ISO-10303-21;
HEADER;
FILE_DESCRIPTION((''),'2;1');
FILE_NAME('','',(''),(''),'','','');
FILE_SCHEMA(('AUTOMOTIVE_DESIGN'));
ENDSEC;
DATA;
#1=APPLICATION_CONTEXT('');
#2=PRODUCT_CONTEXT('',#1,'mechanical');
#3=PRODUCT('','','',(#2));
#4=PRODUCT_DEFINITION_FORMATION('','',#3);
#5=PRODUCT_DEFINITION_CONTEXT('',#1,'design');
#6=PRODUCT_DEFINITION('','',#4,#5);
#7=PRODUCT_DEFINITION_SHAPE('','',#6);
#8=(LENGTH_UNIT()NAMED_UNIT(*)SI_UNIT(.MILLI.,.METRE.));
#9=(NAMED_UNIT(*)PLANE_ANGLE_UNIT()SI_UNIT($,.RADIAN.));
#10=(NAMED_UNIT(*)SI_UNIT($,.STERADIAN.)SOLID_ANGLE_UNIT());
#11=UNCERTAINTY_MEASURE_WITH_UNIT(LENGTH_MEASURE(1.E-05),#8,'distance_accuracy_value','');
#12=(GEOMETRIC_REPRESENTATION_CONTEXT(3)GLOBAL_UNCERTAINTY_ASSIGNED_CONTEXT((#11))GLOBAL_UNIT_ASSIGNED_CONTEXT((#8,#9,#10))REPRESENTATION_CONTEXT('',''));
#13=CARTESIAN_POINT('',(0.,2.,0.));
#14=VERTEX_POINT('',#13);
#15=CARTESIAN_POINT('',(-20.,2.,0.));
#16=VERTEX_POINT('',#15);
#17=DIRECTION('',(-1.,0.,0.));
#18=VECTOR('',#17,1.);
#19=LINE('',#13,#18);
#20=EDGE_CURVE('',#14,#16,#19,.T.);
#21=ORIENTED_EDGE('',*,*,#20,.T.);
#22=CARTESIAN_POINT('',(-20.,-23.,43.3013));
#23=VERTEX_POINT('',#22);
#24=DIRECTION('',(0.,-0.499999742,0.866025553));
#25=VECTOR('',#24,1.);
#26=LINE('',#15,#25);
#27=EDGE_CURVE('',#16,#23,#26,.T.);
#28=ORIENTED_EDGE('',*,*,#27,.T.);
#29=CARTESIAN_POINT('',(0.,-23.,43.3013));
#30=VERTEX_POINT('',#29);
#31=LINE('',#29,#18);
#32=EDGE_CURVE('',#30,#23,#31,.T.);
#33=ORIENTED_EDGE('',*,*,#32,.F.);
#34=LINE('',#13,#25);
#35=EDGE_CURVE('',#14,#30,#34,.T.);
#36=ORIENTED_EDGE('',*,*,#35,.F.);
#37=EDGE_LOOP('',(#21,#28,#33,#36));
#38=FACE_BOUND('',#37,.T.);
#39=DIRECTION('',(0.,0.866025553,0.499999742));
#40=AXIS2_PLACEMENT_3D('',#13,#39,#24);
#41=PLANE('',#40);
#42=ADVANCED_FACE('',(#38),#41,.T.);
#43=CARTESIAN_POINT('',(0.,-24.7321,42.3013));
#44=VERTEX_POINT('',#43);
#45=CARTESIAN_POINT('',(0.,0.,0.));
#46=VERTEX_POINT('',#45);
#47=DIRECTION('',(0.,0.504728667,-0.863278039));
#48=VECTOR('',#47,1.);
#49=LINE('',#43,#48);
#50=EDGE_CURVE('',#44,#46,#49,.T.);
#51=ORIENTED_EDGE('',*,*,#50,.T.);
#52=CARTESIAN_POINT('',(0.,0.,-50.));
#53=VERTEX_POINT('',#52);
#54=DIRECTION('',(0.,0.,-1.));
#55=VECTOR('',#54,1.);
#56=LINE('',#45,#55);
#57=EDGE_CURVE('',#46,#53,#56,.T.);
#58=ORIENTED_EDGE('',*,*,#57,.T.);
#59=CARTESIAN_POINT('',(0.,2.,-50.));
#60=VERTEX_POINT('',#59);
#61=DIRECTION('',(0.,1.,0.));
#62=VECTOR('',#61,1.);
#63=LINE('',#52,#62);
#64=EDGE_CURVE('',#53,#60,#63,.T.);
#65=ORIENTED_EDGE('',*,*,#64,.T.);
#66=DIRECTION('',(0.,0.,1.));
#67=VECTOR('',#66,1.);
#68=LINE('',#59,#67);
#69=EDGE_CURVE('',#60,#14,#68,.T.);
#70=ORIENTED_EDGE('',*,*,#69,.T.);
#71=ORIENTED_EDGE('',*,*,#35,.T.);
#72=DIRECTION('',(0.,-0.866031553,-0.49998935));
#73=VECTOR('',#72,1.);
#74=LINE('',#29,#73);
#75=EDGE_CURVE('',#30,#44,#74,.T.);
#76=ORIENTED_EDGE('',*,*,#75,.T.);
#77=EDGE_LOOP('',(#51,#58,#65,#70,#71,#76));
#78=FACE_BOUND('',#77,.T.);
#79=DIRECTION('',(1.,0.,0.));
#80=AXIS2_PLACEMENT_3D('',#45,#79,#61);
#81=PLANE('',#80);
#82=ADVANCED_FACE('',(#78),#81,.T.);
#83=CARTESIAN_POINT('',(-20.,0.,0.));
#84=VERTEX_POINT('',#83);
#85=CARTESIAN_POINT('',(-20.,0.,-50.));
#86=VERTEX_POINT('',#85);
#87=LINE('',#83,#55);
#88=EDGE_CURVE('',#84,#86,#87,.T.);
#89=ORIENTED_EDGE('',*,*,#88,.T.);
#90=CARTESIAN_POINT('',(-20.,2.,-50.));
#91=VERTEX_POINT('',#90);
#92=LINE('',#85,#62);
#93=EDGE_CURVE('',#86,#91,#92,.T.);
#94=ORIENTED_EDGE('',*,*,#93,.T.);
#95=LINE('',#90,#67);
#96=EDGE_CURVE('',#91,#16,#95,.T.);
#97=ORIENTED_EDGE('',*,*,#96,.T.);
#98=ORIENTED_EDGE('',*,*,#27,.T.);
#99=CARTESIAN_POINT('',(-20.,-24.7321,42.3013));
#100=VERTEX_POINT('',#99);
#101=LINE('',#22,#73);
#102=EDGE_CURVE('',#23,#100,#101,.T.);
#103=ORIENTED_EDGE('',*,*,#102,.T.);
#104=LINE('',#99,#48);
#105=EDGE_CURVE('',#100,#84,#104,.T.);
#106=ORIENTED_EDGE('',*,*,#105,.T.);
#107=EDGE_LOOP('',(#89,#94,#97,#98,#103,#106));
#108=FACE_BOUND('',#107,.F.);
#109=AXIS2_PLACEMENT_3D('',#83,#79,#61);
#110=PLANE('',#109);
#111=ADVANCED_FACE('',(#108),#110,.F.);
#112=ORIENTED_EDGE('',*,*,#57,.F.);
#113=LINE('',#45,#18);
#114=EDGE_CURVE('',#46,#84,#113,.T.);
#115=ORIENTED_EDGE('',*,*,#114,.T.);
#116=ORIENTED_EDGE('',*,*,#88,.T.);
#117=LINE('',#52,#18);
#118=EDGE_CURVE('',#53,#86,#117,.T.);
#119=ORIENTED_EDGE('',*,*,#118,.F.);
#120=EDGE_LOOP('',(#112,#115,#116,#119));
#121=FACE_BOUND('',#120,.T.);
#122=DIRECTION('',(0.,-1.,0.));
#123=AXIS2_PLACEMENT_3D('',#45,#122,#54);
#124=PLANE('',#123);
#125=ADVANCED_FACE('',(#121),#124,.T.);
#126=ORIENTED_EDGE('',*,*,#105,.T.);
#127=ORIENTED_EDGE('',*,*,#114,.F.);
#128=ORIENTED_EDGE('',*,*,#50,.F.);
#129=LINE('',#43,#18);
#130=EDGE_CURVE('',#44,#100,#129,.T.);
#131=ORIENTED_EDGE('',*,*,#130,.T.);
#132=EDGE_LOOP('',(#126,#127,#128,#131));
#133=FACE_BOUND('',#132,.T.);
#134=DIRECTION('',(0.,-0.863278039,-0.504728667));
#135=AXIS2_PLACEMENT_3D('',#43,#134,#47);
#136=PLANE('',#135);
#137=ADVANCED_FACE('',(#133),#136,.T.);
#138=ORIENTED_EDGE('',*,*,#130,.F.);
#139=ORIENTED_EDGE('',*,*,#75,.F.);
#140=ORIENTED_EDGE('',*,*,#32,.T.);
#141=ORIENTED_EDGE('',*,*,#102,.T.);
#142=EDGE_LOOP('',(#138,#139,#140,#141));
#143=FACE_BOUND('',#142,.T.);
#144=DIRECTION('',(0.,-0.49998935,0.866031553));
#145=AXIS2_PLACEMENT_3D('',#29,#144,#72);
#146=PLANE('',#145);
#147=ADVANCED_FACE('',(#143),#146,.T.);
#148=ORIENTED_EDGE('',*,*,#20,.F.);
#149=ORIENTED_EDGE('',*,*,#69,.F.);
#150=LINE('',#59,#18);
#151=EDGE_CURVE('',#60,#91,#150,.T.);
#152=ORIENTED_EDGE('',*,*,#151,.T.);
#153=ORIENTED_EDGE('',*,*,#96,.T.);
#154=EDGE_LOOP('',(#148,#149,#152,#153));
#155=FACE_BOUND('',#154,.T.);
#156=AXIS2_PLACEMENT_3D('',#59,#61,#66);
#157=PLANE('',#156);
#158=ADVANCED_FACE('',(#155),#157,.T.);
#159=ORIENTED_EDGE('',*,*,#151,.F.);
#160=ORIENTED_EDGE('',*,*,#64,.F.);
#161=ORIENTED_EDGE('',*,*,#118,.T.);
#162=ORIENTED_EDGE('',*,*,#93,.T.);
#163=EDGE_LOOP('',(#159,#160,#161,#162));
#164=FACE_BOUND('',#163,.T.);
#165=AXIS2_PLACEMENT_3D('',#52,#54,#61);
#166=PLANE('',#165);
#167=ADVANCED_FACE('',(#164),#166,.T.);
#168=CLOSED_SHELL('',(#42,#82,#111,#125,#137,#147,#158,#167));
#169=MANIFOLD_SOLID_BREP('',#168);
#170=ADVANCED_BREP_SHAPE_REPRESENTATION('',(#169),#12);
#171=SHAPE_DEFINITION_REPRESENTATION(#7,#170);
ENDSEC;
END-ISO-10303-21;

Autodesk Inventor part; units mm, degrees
ref_plane "YZ Plane" through (0, 0, 0) normal (1, 0, 0) x (0, 1, 0)
ref_plane "XZ Plane" through (0, 0, 0) normal (0, 1, 0) x (-1, 0, 0)
ref_plane "XY Plane" through (0, 0, 0) normal (0, 0, 1) x (1, 0, 0)
sketch "Sketch1" plane through (0, 0, 0) normal (1, 0, 0) x (0, 1, 0)
  line L0 (0, 0) -> (0, -50)
  line L1 (0, -50) -> (2, -50)
  line L2 (2, -50) -> (2, 0)
  line L3 (2, 0) -> (-23, 43.3013)
  line L4 (-23, 43.3013) -> (-24.7321, 42.3013)
  line L5 (-24.7321, 42.3013) -> (0, 0)
  dimension "d0" = 50
  dimension "d1" = 2
  dimension "d2" = 50
  dimension "d3" = 150
  dimension "d4" = 2
extrude "Extrusion1" add sketch "Sketch1" against normal blind 20
properties part number "extended150degreebracket"
